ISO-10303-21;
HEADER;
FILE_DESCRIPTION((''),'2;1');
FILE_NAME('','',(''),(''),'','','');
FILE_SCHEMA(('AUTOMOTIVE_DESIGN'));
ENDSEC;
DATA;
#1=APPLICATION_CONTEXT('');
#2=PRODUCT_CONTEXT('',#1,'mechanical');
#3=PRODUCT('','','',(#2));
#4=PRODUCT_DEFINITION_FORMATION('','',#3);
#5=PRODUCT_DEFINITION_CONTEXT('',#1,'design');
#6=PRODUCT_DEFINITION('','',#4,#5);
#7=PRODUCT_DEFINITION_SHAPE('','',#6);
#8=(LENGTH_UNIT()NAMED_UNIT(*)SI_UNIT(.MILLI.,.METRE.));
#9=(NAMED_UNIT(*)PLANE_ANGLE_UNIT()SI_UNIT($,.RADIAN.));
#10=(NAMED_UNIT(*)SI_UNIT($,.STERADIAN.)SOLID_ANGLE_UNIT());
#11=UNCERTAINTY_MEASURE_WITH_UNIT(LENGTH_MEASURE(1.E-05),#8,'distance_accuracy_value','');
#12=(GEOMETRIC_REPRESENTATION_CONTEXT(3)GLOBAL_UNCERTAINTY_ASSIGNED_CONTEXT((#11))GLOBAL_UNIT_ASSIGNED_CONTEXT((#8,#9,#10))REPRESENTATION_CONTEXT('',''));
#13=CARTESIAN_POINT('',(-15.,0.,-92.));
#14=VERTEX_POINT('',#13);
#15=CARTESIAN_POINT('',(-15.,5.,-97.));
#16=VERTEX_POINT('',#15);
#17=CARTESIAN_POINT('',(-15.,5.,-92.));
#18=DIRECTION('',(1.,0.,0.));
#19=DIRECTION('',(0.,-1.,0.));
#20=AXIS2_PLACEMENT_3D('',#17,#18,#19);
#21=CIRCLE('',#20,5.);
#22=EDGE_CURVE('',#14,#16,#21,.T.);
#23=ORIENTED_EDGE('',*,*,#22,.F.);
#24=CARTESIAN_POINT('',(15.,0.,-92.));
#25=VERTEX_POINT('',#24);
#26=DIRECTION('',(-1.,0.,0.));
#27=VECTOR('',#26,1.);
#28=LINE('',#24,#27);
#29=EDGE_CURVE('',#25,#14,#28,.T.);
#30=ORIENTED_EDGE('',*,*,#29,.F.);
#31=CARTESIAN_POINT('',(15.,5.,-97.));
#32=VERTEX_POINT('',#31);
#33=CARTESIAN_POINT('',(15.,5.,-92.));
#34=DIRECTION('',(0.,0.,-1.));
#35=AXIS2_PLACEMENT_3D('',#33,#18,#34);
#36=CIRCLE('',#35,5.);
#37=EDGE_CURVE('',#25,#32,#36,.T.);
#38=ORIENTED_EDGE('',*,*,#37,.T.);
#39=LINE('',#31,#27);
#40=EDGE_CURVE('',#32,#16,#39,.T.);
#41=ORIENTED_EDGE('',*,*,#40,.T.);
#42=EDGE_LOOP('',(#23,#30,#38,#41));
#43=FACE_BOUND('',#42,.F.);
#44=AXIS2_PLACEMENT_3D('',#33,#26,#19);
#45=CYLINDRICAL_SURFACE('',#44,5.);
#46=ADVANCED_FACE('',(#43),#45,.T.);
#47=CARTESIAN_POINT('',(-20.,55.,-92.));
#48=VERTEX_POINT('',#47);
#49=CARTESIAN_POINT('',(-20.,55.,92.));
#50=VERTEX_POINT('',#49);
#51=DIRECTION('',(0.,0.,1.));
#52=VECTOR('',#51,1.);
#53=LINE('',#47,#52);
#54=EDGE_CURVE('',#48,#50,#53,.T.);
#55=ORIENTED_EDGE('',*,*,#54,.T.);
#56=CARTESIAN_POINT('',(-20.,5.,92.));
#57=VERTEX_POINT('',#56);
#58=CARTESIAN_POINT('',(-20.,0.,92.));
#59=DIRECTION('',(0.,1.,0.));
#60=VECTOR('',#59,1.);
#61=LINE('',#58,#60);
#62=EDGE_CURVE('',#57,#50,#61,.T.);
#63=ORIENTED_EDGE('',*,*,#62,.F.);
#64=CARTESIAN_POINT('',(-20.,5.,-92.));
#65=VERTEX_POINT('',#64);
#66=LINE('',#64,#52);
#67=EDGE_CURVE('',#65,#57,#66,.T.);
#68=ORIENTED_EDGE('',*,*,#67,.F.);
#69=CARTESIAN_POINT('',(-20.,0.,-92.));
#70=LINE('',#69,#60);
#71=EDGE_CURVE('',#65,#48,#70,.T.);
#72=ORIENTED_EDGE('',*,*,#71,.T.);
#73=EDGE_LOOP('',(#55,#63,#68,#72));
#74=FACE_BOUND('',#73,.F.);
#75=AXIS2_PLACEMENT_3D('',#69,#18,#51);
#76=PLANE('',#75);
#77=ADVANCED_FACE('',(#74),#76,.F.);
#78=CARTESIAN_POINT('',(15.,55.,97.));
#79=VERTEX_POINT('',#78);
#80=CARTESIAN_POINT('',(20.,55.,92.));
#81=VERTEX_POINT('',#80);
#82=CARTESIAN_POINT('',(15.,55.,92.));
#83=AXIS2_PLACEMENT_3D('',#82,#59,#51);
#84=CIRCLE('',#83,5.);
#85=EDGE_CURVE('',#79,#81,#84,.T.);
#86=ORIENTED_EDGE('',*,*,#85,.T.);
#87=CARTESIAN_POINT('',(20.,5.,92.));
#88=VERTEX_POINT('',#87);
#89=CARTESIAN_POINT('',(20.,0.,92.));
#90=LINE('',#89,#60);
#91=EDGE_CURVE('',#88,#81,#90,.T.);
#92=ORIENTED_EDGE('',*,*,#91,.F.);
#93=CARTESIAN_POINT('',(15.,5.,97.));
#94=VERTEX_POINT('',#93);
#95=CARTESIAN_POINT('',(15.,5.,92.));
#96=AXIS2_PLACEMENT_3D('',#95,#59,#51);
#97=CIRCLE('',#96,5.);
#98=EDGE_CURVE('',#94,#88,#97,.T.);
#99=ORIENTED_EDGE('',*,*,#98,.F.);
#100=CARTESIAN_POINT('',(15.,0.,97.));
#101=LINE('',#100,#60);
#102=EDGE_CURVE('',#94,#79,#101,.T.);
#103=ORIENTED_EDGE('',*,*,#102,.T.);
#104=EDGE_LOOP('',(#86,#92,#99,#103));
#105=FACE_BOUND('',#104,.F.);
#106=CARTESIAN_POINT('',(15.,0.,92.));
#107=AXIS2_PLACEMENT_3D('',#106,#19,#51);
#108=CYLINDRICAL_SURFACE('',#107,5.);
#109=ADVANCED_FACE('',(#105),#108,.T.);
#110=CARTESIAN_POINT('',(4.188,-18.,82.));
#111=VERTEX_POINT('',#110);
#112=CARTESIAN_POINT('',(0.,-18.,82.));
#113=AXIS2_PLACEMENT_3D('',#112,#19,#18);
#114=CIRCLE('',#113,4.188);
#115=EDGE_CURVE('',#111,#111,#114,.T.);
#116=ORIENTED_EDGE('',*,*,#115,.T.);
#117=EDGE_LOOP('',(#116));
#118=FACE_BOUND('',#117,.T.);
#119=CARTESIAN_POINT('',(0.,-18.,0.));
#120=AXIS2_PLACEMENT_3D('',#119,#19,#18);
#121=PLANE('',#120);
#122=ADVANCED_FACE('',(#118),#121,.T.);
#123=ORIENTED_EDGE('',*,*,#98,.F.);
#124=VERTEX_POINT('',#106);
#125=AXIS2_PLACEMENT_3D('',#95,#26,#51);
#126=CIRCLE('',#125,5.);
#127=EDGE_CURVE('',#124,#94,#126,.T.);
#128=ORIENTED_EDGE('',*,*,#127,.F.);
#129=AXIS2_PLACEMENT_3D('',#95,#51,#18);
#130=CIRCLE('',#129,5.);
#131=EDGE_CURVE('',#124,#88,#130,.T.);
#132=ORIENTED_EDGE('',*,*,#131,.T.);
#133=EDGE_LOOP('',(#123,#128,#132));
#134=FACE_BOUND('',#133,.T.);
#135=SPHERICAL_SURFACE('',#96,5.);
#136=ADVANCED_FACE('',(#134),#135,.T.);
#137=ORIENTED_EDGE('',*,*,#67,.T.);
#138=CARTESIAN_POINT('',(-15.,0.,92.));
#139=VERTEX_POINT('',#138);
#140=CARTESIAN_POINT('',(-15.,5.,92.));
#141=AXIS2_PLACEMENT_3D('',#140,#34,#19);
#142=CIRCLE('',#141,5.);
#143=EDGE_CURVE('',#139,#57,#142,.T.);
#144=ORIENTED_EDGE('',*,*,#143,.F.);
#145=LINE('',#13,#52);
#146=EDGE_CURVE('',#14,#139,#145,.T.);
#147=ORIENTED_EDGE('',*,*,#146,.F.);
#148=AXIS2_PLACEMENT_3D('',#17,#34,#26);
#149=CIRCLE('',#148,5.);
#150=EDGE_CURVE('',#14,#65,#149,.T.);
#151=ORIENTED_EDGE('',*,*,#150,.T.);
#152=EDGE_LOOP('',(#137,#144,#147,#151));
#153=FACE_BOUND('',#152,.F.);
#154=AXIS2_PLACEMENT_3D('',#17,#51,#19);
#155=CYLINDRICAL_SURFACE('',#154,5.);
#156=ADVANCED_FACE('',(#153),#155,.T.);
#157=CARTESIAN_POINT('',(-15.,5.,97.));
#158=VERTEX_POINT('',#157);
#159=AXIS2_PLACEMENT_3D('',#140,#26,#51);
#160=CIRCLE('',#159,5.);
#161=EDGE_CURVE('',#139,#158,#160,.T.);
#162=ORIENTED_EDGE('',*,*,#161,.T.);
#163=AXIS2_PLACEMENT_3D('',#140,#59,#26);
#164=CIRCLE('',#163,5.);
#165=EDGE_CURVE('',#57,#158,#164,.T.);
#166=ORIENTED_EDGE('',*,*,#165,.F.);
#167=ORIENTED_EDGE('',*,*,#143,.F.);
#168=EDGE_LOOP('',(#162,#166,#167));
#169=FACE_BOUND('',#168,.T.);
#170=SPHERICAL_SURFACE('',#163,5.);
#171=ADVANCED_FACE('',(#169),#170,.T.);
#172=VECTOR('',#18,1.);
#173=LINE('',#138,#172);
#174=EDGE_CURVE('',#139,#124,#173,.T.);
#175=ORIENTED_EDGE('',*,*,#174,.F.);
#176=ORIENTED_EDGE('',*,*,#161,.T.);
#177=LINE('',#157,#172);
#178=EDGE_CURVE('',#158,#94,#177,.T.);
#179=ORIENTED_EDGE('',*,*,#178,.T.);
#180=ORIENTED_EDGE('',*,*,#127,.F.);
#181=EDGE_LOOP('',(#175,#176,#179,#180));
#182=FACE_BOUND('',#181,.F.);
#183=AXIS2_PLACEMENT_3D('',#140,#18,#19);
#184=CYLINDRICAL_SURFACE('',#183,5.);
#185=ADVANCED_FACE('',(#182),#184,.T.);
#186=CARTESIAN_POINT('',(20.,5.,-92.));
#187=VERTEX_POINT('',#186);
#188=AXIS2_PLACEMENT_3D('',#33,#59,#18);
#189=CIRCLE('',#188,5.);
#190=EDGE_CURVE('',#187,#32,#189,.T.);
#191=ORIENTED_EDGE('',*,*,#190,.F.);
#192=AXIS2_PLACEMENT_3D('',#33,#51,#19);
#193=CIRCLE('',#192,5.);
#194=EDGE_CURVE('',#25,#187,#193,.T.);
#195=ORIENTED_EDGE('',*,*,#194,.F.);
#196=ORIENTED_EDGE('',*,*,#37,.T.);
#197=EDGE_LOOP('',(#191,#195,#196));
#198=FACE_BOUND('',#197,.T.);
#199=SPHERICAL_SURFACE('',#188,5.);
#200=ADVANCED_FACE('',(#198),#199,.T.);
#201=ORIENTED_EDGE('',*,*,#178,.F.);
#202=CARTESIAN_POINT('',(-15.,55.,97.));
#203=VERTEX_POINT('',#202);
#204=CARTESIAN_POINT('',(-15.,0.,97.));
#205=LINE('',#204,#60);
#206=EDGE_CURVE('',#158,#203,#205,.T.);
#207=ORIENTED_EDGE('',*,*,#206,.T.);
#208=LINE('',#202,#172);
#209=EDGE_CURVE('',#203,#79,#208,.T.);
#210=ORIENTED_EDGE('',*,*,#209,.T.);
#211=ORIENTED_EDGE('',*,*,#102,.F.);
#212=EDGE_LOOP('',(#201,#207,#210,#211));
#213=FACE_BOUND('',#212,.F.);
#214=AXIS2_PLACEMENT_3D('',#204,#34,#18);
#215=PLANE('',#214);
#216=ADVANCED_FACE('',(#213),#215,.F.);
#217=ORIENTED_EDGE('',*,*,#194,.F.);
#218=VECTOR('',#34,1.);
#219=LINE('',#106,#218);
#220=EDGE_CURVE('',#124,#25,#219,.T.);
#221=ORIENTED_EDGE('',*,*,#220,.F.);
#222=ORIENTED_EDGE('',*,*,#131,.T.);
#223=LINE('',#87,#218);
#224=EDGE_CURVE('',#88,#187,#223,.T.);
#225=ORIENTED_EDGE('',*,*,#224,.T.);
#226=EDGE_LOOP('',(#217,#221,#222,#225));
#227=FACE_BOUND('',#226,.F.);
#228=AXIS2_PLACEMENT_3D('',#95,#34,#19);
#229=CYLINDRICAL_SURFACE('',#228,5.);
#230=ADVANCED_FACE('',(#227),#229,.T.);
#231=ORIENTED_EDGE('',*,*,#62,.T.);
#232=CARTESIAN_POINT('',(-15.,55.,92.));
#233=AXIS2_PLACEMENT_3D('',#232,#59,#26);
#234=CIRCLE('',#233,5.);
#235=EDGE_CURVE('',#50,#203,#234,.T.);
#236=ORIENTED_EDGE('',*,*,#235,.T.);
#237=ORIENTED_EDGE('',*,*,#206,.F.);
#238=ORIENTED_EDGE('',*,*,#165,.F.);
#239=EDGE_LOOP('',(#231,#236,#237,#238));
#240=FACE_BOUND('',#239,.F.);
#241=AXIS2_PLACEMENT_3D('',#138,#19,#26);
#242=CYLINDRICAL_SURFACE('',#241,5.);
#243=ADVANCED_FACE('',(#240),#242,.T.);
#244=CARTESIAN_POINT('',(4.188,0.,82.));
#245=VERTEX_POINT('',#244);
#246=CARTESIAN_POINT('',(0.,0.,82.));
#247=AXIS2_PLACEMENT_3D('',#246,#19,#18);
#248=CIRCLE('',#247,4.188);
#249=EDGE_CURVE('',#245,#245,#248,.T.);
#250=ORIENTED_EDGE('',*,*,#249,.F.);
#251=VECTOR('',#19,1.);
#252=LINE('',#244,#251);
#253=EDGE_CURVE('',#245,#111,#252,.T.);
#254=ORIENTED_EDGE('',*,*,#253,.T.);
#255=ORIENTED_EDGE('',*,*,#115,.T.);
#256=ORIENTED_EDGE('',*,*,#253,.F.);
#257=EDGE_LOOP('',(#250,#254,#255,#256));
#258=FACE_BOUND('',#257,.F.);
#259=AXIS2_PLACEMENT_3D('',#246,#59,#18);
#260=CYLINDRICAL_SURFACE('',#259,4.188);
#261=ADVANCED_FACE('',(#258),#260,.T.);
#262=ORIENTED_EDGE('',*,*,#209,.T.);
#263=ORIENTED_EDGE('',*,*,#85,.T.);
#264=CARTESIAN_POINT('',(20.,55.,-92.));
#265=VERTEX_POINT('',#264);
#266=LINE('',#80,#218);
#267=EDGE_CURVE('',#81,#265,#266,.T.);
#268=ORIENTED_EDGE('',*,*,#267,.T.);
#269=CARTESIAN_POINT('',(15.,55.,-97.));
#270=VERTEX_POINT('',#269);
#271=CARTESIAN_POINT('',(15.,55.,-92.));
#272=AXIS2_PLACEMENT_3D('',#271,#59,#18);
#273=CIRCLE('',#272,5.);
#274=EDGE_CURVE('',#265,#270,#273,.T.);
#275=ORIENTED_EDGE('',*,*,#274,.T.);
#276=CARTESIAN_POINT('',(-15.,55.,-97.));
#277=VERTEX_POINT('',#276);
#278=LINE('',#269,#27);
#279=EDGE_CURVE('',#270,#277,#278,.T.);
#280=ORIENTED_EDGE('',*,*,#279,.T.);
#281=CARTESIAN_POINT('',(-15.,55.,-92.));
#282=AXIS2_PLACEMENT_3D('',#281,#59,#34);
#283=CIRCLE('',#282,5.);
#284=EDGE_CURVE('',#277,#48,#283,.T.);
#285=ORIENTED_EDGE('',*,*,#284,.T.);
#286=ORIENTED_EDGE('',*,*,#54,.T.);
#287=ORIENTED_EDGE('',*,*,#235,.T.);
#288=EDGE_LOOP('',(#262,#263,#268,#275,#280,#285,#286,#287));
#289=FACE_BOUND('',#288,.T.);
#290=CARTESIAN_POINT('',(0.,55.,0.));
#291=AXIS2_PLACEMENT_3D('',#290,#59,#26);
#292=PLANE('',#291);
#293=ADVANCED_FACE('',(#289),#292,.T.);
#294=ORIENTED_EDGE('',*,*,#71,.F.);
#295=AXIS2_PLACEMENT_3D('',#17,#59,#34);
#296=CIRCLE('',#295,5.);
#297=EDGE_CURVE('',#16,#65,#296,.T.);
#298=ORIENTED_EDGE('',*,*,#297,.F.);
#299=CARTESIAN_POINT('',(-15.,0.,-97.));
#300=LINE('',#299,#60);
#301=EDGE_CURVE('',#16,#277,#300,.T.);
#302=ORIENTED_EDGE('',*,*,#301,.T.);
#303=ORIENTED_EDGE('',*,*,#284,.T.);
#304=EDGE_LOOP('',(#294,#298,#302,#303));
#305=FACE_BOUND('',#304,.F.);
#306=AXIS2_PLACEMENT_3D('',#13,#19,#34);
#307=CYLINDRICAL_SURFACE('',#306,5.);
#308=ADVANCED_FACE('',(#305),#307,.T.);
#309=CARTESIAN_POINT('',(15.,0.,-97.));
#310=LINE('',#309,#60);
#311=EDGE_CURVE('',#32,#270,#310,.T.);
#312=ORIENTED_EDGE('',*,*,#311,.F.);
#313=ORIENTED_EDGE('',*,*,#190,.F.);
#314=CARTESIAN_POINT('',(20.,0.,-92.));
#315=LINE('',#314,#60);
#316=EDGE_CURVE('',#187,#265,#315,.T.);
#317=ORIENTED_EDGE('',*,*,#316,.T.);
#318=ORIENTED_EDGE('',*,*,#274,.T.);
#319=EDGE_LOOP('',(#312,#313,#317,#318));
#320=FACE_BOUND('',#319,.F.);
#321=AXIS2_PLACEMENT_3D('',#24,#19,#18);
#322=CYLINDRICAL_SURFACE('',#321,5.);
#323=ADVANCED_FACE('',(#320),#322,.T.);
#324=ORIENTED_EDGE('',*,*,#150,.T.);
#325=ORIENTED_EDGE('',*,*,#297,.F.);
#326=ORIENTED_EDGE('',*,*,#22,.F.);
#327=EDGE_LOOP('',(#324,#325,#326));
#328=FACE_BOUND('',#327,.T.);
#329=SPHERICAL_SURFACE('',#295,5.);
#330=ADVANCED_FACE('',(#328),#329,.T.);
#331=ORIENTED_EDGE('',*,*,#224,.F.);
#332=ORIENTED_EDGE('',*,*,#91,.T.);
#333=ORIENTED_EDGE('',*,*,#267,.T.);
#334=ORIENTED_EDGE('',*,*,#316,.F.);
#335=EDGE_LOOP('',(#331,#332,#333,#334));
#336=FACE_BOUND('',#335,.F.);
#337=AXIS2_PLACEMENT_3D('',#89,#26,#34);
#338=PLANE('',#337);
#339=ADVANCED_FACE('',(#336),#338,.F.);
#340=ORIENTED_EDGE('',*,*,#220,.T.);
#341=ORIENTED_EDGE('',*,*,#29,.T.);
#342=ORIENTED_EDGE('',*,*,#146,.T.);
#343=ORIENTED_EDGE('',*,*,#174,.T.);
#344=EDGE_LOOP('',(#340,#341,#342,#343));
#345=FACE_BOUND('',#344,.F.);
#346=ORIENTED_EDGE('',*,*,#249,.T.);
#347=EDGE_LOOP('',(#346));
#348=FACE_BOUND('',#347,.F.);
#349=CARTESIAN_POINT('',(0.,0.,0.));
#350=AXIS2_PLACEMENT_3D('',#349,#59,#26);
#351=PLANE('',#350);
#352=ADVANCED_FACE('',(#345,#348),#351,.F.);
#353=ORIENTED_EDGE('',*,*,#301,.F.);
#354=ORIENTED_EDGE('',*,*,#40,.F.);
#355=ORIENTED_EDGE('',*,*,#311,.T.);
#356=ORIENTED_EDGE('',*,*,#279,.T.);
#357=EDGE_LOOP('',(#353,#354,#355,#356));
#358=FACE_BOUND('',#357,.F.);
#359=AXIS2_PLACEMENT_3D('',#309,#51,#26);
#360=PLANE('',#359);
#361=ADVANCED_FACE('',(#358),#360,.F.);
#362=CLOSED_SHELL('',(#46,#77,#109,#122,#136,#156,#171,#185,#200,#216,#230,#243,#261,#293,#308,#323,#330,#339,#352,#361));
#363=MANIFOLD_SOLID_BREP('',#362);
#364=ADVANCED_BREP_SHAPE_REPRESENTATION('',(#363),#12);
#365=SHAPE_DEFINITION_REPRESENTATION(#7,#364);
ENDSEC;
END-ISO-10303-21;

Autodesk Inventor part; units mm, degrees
ref_plane "YZ Plane" through (0, 0, 0) normal (1, 0, 0) x (0, 1, 0)
ref_plane "XZ Plane" through (0, 0, 0) normal (0, 1, 0) x (-1, 0, 0)
ref_plane "XY Plane" through (0, 0, 0) normal (0, 0, 1) x (1, 0, 0)
sketch "Skizze1" plane through (0, 0, 0) normal (0, 1, 0) x (-1, 0, 0)
  line L0 (-15, -97) -> (15, -97)
  line L1 (20, -92) -> (20, 92)
  line L2 (15, 97) -> (-15, 97)
  line L3 (-20, 92) -> (-20, -92)
  line L4 (-20, -97) -> (20, 97) construction
  line L5 (20, -97) -> (-20, 97) construction
  arc A0 (20, 95) -> (18, 97) centre (18, 95) ccw
  arc A1 (20, 92) -> (15, 97) centre (15, 92) ccw
  arc A2 (-15, 97) -> (-20, 92) centre (-15, 92) ccw
  arc A3 (-20, -92) -> (-15, -97) centre (-15, -92) ccw
  arc A4 (15, -97) -> (20, -92) centre (15, -92) ccw
  point P0 (0, 0)
  dimension "d0" = 40
  dimension "d1" = 194
  dimension "d3" = 5
  dimension "d4" = 5
extrude "Extrusion1" add sketch "Skizze1" along normal blind 55
sketch "Skizze2" plane through (0, 0, 0) normal (0, -1, 0) x (1, 0, 0)
  circle A0 centre (0, 82) radius 4.188
  line L0 (-15, 97) -> (15, 97) projected
  point P0 (0, 0)
  dimension "d7" = 8.376
  dimension "d8" = 15
extrude "Extrusion2" add sketch "Skizze2" along normal blind 18
fillet "Rundung1" radius 5 8 edges at (18.5355, 0, 95.5355) (20, 0, 0) (18.5355, 0, -95.5355) (0, 0, -97) (-18.5355, 0, -95.5355) (-20, 0, 0) (-18.5355, 0, 95.5355) (0, 0, 97)
properties part number "Schmierung" material "Wasser"
